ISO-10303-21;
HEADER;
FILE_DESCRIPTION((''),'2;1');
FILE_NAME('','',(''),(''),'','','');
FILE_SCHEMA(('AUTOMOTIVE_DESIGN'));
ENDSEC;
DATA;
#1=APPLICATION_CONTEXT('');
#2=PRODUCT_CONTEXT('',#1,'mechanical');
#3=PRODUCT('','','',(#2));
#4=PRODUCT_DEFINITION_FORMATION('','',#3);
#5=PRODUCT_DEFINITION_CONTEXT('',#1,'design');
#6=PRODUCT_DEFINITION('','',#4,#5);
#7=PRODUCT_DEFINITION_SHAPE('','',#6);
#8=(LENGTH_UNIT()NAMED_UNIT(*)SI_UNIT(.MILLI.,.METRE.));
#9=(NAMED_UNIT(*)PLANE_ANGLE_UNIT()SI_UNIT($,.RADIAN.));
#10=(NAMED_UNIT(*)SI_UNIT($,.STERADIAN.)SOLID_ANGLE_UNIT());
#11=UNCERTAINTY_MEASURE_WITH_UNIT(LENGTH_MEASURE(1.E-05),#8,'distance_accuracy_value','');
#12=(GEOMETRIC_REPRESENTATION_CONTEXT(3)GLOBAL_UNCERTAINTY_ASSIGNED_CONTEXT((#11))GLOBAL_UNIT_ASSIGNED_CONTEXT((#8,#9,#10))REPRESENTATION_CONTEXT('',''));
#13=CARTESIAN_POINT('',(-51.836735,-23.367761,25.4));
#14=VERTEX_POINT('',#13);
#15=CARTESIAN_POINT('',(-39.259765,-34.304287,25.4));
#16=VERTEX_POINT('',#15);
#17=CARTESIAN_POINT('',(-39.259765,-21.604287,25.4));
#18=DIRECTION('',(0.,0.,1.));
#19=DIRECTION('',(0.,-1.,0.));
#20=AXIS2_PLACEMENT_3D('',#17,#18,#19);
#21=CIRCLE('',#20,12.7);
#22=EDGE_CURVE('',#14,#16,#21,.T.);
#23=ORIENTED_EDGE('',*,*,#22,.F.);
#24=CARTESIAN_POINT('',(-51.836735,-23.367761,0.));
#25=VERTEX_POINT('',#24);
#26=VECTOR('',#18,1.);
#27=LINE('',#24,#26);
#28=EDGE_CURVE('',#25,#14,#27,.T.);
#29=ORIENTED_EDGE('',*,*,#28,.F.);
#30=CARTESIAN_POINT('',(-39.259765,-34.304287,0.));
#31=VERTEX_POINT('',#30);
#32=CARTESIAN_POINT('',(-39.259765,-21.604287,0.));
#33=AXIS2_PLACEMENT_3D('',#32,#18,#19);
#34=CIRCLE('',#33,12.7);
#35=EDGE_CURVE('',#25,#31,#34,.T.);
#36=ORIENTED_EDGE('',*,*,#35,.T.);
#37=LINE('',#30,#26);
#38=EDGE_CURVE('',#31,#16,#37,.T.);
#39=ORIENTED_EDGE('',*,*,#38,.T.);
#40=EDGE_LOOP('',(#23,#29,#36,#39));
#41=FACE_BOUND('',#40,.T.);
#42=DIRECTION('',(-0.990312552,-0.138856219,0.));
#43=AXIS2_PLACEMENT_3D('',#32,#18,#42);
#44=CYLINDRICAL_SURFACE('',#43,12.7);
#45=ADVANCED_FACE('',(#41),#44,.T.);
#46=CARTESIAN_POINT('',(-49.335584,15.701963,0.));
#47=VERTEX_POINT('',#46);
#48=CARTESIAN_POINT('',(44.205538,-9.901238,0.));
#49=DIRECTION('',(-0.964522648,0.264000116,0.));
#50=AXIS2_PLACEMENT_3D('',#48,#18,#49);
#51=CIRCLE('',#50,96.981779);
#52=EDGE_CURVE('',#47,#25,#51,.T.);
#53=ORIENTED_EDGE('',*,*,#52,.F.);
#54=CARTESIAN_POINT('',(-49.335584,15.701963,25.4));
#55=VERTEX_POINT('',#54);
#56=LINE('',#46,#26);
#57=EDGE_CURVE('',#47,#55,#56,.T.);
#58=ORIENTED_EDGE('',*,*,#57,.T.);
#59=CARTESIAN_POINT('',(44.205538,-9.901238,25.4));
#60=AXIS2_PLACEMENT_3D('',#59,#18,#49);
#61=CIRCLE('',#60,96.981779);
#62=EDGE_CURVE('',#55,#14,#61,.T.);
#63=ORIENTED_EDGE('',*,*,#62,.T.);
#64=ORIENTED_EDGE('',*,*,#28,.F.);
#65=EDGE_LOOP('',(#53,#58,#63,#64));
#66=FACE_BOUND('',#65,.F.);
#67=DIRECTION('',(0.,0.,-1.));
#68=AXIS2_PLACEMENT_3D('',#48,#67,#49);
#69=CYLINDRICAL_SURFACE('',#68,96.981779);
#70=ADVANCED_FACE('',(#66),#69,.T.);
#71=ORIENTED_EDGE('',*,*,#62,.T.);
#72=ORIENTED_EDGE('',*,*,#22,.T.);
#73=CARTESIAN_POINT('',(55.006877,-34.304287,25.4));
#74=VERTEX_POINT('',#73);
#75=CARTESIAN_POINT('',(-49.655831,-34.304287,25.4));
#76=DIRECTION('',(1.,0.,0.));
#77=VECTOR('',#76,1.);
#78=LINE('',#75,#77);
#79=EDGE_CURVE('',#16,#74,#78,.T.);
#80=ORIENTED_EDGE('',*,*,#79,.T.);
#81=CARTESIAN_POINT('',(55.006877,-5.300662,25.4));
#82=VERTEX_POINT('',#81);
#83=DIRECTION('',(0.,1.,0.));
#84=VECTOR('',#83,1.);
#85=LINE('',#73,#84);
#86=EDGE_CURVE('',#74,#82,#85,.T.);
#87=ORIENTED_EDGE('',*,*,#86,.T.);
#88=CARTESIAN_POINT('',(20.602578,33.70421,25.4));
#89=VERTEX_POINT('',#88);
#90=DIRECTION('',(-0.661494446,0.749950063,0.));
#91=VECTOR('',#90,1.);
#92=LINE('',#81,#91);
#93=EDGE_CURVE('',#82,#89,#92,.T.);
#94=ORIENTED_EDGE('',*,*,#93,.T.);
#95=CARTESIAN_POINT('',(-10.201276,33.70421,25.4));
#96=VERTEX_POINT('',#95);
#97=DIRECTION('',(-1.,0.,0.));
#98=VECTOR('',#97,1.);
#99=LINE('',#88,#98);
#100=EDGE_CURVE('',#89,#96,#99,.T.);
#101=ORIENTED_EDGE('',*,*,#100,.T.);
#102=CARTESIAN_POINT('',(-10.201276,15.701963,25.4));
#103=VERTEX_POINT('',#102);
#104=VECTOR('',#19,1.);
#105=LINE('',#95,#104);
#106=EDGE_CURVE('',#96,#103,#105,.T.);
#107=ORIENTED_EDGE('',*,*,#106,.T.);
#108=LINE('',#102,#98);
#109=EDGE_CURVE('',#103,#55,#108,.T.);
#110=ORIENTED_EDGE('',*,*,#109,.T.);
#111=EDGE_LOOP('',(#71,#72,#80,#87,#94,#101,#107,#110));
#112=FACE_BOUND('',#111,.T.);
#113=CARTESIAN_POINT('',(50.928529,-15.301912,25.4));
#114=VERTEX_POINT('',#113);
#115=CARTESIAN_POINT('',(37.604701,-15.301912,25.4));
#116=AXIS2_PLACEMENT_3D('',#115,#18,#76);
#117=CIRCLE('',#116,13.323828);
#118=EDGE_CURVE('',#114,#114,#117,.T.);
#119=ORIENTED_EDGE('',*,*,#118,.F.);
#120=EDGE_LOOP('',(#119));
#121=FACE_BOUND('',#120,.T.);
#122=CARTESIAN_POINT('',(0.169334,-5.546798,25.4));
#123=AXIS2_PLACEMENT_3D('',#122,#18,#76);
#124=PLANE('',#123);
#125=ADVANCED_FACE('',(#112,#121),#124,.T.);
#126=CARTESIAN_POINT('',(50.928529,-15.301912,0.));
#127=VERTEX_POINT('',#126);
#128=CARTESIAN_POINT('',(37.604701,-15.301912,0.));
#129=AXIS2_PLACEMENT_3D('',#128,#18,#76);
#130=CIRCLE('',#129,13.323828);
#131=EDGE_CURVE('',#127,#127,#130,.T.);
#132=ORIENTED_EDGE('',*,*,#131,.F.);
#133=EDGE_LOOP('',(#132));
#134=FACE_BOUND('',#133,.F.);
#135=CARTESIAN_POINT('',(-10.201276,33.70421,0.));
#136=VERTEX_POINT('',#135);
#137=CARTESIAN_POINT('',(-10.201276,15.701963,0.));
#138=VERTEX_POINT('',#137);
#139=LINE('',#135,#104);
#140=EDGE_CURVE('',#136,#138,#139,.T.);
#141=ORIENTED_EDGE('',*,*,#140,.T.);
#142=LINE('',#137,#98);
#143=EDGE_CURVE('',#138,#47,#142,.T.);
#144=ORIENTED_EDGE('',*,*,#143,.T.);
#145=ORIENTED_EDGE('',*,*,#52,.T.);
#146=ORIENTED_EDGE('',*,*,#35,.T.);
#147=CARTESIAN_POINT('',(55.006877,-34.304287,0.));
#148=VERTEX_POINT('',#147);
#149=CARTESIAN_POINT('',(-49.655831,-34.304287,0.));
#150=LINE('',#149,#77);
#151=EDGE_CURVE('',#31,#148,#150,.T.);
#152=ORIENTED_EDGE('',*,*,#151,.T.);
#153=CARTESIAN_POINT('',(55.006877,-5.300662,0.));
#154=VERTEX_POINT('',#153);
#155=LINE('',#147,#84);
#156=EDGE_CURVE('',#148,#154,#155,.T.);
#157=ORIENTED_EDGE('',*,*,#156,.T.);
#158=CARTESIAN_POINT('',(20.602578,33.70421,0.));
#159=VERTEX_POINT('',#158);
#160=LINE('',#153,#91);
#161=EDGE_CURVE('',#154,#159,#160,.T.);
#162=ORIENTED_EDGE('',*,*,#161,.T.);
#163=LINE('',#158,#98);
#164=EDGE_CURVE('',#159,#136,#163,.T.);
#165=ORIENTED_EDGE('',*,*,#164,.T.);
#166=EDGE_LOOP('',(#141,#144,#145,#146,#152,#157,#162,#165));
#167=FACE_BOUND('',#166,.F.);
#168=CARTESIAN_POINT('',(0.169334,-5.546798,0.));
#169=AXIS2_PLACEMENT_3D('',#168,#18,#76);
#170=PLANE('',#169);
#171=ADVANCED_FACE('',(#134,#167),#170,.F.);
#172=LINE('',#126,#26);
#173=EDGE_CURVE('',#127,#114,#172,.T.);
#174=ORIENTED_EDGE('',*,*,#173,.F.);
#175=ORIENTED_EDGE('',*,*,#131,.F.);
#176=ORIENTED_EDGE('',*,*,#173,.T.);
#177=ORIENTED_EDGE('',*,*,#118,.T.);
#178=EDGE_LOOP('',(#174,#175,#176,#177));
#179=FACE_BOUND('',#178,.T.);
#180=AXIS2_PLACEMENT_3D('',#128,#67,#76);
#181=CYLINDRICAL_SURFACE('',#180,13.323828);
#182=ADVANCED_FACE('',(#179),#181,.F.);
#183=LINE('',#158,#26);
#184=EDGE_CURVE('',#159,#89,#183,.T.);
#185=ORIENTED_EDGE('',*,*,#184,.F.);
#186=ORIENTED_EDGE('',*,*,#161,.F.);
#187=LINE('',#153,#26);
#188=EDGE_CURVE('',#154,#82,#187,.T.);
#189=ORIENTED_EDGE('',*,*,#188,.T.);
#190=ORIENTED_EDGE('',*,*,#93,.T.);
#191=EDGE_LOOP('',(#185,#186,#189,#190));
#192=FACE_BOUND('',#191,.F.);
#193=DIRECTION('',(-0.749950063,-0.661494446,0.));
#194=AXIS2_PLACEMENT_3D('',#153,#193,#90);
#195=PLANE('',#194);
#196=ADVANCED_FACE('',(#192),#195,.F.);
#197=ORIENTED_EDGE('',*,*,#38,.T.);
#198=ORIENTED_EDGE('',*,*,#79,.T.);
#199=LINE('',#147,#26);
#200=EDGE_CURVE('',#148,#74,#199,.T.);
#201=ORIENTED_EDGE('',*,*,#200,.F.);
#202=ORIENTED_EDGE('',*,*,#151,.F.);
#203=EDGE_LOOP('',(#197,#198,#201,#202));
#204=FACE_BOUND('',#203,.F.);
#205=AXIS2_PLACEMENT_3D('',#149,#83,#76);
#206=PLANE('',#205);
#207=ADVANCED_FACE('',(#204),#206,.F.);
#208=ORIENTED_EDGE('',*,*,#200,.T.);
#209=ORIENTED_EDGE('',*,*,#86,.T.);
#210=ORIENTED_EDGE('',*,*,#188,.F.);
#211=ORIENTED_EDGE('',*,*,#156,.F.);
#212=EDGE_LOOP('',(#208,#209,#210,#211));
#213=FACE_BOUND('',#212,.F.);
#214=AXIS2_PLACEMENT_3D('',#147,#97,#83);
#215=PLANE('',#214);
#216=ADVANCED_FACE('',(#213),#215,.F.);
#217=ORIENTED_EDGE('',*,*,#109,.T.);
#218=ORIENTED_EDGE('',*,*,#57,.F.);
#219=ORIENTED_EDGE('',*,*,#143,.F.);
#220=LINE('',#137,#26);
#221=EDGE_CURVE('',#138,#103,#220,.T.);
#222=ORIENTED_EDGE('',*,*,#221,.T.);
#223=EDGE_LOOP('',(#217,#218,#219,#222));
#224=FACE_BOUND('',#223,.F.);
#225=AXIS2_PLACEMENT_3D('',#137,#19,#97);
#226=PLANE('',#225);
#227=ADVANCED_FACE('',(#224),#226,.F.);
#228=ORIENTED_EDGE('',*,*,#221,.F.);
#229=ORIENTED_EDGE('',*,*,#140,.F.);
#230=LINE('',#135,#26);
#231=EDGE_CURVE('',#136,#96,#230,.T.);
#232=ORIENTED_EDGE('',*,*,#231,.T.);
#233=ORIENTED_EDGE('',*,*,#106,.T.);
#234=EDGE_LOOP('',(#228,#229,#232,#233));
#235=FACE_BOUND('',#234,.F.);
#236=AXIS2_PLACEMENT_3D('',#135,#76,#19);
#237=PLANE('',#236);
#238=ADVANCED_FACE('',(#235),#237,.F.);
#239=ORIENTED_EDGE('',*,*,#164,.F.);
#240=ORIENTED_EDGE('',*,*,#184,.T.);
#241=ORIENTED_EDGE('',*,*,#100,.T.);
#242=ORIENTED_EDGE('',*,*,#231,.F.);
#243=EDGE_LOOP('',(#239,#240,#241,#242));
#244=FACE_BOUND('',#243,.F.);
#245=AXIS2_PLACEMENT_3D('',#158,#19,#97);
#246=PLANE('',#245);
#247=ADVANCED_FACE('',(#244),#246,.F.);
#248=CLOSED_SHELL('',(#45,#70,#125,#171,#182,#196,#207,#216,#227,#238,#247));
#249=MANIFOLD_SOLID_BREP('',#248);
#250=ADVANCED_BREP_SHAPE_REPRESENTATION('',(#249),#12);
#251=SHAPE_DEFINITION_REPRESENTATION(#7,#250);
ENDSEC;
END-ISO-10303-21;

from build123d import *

# Parameters (mm, degrees)
F0_R     = 13.323828
F1_DEPTH = 25.4
F2_R     = 12.7


with BuildPart() as f1:
    # F0 (on Top) → F1 (new body)
    with BuildSketch(Plane.XY):
        with BuildLine():
            Line((-10.201276, 15.701963), (-49.335584, 15.701963))
            ThreePointArc((-49.335584, 15.701963), (-52.774252, -9.280166), (-49.655831, -34.304287))
            Line((-49.655831, -34.304287), (55.006877, -34.304287))
            Line((55.006877, -34.304287), (55.006877, -5.300662))
            Line((55.006877, -5.300662), (20.602578, 33.70421))
            Line((20.602578, 33.70421), (-10.201276, 33.70421))
            Line((-10.201276, 33.70421), (-10.201276, 15.701963))
        make_face()
        with Locations((37.604701, -15.301912)):
            Circle(F0_R, mode=Mode.SUBTRACT)
    extrude(amount=F1_DEPTH)

    # F2
    f2_edges = [f1.edges().sort_by_distance(p)[0] for p in [
        (-49.655831, -34.304287, 12.7),
    ]]
    fillet(f2_edges, radius=F2_R)


solid = f1.part
